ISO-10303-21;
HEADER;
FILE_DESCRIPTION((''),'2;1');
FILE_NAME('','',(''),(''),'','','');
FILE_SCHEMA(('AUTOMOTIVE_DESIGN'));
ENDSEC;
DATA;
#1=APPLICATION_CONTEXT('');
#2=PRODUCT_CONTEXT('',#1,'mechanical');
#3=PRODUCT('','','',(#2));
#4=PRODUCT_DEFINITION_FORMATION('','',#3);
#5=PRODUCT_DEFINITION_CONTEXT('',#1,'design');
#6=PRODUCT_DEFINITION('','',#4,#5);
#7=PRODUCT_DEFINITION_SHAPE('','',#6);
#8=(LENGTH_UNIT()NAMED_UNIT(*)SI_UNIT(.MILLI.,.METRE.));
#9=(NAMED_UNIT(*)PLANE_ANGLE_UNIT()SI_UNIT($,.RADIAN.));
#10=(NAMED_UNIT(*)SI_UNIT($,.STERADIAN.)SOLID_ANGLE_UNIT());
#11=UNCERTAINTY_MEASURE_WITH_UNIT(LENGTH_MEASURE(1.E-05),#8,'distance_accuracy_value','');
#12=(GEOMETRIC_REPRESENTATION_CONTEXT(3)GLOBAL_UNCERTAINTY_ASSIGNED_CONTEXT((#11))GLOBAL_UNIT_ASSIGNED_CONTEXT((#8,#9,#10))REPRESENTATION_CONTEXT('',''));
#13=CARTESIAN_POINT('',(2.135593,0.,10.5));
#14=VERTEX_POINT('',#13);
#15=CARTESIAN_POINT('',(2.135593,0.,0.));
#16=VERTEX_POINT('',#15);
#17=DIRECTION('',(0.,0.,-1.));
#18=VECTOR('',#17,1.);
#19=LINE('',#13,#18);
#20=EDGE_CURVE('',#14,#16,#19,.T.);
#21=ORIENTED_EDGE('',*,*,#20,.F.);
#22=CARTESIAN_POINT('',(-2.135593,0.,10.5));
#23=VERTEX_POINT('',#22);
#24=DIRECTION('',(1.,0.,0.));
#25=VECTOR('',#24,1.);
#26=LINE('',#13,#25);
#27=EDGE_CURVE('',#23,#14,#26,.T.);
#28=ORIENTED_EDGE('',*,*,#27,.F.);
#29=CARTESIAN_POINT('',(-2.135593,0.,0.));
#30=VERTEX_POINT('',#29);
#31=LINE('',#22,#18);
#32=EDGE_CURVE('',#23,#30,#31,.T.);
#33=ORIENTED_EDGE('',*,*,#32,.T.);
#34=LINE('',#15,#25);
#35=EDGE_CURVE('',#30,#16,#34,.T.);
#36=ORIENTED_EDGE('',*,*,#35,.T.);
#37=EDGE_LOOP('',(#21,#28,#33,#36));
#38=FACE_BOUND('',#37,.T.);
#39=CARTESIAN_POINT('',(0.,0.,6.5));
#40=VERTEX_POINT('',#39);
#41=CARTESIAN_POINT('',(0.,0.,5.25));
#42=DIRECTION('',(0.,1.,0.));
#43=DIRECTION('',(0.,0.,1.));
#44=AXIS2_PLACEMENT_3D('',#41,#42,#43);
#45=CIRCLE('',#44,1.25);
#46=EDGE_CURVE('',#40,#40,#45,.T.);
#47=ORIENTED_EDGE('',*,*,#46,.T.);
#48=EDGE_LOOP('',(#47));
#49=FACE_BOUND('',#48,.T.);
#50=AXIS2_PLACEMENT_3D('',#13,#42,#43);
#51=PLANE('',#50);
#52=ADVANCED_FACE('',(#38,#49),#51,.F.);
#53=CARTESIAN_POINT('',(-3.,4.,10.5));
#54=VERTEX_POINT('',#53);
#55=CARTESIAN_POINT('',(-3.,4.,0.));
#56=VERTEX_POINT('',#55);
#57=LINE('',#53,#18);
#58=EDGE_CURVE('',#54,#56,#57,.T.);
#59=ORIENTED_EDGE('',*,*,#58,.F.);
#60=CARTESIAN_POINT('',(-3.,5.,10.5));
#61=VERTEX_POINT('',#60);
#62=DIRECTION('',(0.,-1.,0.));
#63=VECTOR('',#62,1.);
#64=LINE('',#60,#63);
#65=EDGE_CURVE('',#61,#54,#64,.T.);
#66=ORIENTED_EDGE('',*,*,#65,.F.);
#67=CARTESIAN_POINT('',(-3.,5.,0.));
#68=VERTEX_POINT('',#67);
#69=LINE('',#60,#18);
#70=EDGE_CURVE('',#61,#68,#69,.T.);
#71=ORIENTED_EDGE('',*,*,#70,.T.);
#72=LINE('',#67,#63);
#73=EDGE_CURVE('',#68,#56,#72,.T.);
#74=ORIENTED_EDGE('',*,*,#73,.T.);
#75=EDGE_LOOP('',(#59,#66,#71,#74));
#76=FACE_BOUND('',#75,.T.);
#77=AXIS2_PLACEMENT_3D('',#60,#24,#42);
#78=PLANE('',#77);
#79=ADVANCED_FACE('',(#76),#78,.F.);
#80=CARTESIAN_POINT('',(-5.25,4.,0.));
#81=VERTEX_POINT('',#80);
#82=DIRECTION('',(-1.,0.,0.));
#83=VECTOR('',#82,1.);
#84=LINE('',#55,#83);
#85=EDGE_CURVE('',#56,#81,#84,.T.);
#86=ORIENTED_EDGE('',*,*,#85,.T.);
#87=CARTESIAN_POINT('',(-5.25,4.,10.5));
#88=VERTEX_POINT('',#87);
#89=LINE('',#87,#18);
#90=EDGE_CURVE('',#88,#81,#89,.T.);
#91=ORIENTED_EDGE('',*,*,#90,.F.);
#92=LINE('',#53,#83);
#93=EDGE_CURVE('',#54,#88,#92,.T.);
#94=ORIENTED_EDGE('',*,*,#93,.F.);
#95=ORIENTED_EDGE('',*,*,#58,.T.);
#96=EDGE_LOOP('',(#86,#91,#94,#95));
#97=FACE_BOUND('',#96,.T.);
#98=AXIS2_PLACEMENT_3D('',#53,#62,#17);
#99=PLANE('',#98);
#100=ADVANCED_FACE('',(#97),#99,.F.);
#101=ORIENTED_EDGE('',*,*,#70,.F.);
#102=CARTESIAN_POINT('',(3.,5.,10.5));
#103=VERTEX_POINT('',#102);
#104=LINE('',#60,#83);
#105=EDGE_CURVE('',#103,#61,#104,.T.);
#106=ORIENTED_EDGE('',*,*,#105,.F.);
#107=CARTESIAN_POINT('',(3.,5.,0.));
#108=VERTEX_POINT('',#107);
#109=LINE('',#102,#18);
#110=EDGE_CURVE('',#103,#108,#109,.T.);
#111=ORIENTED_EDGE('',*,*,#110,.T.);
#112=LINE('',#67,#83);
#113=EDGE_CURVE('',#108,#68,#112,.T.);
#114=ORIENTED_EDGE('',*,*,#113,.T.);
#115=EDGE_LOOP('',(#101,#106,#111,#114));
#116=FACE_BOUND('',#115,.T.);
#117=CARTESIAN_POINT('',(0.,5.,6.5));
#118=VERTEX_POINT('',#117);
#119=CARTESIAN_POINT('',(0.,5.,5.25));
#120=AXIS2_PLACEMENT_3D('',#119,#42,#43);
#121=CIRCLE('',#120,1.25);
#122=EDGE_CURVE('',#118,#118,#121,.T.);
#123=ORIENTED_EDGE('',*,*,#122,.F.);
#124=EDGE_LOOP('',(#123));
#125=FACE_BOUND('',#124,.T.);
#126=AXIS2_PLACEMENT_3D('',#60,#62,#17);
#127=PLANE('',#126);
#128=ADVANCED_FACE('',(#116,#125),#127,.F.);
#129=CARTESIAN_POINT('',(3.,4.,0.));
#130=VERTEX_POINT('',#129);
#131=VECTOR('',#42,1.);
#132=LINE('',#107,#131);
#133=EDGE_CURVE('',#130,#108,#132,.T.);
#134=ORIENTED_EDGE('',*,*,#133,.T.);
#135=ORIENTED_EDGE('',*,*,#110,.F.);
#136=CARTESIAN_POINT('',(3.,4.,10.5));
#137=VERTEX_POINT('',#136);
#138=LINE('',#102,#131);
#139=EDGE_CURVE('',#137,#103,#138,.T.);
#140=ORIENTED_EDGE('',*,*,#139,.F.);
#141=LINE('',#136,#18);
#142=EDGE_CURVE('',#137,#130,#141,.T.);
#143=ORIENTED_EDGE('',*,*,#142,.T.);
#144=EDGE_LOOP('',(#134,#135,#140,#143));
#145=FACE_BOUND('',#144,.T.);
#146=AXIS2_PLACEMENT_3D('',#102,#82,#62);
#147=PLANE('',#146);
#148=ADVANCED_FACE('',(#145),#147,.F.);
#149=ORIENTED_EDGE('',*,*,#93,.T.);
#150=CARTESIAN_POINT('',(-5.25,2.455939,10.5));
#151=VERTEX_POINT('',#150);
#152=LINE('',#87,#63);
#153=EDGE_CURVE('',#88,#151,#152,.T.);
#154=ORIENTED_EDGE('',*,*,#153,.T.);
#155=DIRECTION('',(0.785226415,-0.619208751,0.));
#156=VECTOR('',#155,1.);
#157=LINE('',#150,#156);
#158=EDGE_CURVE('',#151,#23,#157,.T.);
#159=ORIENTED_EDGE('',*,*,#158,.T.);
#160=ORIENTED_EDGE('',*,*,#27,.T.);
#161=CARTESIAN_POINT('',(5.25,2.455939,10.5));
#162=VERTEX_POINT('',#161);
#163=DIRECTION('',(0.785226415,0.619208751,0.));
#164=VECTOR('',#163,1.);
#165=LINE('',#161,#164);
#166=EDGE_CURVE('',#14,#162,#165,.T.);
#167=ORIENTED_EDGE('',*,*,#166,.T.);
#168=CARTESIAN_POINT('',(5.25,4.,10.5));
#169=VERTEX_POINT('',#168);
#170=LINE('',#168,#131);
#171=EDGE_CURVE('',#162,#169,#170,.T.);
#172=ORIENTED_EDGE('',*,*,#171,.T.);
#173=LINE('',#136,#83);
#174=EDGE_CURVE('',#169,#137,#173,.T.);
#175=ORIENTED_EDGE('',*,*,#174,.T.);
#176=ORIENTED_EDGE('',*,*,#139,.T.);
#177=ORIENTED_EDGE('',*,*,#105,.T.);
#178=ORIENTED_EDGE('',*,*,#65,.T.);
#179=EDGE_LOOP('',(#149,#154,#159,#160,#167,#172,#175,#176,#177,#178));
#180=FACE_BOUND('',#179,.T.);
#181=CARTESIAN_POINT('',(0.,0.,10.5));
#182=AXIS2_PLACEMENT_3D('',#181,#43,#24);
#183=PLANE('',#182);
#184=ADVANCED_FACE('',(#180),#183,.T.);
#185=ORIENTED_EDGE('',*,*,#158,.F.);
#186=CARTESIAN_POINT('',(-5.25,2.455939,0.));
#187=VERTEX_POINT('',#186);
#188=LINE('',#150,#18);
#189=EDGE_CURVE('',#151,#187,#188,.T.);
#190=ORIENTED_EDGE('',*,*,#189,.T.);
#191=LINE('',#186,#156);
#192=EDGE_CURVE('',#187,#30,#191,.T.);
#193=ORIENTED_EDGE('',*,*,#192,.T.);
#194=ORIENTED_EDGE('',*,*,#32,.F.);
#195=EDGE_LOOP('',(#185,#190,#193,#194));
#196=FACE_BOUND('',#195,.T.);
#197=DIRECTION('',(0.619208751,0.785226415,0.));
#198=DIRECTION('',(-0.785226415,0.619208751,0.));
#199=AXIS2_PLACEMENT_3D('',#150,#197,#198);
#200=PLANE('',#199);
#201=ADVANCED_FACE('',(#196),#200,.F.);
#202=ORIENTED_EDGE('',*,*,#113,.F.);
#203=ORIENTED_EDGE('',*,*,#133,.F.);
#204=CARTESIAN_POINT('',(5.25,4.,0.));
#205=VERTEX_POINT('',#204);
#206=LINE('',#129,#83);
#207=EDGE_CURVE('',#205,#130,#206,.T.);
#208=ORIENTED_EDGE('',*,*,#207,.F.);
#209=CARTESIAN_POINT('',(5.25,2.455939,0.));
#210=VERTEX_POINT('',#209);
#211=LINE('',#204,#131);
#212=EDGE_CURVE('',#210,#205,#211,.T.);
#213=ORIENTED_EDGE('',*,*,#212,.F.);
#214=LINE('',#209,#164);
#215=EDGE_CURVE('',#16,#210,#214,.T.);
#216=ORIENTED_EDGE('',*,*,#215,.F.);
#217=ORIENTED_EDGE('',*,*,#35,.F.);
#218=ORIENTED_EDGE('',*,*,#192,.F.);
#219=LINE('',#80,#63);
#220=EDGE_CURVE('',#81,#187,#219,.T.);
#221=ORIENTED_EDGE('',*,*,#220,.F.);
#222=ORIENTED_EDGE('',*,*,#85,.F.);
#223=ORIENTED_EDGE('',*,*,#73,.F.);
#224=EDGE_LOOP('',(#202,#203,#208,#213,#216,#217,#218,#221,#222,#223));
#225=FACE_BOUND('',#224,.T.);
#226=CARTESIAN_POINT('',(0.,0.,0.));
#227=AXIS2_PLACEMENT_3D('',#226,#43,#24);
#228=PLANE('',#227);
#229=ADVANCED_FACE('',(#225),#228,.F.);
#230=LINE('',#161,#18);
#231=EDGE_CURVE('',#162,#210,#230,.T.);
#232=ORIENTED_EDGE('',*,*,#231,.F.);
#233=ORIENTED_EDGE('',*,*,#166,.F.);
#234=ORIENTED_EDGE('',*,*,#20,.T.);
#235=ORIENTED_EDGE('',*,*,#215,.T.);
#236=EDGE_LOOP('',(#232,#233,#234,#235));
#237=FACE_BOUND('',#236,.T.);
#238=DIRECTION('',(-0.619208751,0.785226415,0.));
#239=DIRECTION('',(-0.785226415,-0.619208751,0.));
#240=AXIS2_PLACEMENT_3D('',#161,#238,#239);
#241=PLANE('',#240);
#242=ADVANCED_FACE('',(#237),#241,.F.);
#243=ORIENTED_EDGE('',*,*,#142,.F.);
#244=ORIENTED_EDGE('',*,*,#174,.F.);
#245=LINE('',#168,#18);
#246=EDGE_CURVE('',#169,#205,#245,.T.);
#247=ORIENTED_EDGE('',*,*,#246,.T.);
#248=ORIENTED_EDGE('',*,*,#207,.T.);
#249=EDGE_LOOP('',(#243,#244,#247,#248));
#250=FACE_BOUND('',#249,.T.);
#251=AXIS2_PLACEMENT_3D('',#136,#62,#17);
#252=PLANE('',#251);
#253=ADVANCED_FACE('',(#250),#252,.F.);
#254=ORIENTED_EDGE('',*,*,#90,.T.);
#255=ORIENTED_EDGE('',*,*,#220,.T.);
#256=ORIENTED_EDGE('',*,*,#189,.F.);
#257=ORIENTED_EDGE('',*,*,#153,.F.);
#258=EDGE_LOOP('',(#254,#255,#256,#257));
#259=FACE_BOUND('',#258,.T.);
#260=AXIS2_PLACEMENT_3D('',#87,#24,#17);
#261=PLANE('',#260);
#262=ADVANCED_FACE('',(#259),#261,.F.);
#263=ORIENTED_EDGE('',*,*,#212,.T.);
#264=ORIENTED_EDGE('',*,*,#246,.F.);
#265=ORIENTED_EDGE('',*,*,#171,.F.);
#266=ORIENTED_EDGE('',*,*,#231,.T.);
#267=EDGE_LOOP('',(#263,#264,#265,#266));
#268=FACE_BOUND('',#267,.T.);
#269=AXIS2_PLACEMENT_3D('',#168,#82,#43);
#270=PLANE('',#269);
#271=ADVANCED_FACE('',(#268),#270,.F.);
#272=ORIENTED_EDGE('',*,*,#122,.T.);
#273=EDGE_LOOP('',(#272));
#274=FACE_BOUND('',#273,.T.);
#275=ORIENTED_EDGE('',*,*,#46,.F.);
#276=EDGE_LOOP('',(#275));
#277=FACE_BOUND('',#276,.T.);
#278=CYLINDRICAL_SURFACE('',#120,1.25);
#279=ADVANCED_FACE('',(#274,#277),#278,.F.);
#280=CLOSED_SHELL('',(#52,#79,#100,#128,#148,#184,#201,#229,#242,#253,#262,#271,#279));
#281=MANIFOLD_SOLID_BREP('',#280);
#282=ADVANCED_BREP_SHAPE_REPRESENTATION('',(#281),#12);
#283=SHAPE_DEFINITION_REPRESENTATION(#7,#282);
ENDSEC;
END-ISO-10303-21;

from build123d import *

# Parameters (mm, degrees)
BOSS_EXTRUDE1_DEPTH   = 10.5
M3X0_5_TAPPED_HOLE1_D = 2.5


with BuildPart() as part:
    # Sketch1 → Boss-Extrude1 (new body)
    with BuildSketch(Plane.XY):
        Polygon((-3, 5), (3, 5), (3, 4), (5.25, 4), (5.25, 2.455938691), (2.13559322, 0), (-2.13559322, 0), (-5.25, 2.455938691), (-5.25, 4), (-3, 4), align=None)
    extrude(amount=BOSS_EXTRUDE1_DEPTH)

    # M3x0.5 Tapped Hole1 (through all)
    with Locations(Plane(origin=(0, 5, 0), x_dir=(1, 0, 0), z_dir=(0, 1, 0))):
        with Locations((0, -5.25)):
            Hole(M3X0_5_TAPPED_HOLE1_D / 2)


solid = part.part
